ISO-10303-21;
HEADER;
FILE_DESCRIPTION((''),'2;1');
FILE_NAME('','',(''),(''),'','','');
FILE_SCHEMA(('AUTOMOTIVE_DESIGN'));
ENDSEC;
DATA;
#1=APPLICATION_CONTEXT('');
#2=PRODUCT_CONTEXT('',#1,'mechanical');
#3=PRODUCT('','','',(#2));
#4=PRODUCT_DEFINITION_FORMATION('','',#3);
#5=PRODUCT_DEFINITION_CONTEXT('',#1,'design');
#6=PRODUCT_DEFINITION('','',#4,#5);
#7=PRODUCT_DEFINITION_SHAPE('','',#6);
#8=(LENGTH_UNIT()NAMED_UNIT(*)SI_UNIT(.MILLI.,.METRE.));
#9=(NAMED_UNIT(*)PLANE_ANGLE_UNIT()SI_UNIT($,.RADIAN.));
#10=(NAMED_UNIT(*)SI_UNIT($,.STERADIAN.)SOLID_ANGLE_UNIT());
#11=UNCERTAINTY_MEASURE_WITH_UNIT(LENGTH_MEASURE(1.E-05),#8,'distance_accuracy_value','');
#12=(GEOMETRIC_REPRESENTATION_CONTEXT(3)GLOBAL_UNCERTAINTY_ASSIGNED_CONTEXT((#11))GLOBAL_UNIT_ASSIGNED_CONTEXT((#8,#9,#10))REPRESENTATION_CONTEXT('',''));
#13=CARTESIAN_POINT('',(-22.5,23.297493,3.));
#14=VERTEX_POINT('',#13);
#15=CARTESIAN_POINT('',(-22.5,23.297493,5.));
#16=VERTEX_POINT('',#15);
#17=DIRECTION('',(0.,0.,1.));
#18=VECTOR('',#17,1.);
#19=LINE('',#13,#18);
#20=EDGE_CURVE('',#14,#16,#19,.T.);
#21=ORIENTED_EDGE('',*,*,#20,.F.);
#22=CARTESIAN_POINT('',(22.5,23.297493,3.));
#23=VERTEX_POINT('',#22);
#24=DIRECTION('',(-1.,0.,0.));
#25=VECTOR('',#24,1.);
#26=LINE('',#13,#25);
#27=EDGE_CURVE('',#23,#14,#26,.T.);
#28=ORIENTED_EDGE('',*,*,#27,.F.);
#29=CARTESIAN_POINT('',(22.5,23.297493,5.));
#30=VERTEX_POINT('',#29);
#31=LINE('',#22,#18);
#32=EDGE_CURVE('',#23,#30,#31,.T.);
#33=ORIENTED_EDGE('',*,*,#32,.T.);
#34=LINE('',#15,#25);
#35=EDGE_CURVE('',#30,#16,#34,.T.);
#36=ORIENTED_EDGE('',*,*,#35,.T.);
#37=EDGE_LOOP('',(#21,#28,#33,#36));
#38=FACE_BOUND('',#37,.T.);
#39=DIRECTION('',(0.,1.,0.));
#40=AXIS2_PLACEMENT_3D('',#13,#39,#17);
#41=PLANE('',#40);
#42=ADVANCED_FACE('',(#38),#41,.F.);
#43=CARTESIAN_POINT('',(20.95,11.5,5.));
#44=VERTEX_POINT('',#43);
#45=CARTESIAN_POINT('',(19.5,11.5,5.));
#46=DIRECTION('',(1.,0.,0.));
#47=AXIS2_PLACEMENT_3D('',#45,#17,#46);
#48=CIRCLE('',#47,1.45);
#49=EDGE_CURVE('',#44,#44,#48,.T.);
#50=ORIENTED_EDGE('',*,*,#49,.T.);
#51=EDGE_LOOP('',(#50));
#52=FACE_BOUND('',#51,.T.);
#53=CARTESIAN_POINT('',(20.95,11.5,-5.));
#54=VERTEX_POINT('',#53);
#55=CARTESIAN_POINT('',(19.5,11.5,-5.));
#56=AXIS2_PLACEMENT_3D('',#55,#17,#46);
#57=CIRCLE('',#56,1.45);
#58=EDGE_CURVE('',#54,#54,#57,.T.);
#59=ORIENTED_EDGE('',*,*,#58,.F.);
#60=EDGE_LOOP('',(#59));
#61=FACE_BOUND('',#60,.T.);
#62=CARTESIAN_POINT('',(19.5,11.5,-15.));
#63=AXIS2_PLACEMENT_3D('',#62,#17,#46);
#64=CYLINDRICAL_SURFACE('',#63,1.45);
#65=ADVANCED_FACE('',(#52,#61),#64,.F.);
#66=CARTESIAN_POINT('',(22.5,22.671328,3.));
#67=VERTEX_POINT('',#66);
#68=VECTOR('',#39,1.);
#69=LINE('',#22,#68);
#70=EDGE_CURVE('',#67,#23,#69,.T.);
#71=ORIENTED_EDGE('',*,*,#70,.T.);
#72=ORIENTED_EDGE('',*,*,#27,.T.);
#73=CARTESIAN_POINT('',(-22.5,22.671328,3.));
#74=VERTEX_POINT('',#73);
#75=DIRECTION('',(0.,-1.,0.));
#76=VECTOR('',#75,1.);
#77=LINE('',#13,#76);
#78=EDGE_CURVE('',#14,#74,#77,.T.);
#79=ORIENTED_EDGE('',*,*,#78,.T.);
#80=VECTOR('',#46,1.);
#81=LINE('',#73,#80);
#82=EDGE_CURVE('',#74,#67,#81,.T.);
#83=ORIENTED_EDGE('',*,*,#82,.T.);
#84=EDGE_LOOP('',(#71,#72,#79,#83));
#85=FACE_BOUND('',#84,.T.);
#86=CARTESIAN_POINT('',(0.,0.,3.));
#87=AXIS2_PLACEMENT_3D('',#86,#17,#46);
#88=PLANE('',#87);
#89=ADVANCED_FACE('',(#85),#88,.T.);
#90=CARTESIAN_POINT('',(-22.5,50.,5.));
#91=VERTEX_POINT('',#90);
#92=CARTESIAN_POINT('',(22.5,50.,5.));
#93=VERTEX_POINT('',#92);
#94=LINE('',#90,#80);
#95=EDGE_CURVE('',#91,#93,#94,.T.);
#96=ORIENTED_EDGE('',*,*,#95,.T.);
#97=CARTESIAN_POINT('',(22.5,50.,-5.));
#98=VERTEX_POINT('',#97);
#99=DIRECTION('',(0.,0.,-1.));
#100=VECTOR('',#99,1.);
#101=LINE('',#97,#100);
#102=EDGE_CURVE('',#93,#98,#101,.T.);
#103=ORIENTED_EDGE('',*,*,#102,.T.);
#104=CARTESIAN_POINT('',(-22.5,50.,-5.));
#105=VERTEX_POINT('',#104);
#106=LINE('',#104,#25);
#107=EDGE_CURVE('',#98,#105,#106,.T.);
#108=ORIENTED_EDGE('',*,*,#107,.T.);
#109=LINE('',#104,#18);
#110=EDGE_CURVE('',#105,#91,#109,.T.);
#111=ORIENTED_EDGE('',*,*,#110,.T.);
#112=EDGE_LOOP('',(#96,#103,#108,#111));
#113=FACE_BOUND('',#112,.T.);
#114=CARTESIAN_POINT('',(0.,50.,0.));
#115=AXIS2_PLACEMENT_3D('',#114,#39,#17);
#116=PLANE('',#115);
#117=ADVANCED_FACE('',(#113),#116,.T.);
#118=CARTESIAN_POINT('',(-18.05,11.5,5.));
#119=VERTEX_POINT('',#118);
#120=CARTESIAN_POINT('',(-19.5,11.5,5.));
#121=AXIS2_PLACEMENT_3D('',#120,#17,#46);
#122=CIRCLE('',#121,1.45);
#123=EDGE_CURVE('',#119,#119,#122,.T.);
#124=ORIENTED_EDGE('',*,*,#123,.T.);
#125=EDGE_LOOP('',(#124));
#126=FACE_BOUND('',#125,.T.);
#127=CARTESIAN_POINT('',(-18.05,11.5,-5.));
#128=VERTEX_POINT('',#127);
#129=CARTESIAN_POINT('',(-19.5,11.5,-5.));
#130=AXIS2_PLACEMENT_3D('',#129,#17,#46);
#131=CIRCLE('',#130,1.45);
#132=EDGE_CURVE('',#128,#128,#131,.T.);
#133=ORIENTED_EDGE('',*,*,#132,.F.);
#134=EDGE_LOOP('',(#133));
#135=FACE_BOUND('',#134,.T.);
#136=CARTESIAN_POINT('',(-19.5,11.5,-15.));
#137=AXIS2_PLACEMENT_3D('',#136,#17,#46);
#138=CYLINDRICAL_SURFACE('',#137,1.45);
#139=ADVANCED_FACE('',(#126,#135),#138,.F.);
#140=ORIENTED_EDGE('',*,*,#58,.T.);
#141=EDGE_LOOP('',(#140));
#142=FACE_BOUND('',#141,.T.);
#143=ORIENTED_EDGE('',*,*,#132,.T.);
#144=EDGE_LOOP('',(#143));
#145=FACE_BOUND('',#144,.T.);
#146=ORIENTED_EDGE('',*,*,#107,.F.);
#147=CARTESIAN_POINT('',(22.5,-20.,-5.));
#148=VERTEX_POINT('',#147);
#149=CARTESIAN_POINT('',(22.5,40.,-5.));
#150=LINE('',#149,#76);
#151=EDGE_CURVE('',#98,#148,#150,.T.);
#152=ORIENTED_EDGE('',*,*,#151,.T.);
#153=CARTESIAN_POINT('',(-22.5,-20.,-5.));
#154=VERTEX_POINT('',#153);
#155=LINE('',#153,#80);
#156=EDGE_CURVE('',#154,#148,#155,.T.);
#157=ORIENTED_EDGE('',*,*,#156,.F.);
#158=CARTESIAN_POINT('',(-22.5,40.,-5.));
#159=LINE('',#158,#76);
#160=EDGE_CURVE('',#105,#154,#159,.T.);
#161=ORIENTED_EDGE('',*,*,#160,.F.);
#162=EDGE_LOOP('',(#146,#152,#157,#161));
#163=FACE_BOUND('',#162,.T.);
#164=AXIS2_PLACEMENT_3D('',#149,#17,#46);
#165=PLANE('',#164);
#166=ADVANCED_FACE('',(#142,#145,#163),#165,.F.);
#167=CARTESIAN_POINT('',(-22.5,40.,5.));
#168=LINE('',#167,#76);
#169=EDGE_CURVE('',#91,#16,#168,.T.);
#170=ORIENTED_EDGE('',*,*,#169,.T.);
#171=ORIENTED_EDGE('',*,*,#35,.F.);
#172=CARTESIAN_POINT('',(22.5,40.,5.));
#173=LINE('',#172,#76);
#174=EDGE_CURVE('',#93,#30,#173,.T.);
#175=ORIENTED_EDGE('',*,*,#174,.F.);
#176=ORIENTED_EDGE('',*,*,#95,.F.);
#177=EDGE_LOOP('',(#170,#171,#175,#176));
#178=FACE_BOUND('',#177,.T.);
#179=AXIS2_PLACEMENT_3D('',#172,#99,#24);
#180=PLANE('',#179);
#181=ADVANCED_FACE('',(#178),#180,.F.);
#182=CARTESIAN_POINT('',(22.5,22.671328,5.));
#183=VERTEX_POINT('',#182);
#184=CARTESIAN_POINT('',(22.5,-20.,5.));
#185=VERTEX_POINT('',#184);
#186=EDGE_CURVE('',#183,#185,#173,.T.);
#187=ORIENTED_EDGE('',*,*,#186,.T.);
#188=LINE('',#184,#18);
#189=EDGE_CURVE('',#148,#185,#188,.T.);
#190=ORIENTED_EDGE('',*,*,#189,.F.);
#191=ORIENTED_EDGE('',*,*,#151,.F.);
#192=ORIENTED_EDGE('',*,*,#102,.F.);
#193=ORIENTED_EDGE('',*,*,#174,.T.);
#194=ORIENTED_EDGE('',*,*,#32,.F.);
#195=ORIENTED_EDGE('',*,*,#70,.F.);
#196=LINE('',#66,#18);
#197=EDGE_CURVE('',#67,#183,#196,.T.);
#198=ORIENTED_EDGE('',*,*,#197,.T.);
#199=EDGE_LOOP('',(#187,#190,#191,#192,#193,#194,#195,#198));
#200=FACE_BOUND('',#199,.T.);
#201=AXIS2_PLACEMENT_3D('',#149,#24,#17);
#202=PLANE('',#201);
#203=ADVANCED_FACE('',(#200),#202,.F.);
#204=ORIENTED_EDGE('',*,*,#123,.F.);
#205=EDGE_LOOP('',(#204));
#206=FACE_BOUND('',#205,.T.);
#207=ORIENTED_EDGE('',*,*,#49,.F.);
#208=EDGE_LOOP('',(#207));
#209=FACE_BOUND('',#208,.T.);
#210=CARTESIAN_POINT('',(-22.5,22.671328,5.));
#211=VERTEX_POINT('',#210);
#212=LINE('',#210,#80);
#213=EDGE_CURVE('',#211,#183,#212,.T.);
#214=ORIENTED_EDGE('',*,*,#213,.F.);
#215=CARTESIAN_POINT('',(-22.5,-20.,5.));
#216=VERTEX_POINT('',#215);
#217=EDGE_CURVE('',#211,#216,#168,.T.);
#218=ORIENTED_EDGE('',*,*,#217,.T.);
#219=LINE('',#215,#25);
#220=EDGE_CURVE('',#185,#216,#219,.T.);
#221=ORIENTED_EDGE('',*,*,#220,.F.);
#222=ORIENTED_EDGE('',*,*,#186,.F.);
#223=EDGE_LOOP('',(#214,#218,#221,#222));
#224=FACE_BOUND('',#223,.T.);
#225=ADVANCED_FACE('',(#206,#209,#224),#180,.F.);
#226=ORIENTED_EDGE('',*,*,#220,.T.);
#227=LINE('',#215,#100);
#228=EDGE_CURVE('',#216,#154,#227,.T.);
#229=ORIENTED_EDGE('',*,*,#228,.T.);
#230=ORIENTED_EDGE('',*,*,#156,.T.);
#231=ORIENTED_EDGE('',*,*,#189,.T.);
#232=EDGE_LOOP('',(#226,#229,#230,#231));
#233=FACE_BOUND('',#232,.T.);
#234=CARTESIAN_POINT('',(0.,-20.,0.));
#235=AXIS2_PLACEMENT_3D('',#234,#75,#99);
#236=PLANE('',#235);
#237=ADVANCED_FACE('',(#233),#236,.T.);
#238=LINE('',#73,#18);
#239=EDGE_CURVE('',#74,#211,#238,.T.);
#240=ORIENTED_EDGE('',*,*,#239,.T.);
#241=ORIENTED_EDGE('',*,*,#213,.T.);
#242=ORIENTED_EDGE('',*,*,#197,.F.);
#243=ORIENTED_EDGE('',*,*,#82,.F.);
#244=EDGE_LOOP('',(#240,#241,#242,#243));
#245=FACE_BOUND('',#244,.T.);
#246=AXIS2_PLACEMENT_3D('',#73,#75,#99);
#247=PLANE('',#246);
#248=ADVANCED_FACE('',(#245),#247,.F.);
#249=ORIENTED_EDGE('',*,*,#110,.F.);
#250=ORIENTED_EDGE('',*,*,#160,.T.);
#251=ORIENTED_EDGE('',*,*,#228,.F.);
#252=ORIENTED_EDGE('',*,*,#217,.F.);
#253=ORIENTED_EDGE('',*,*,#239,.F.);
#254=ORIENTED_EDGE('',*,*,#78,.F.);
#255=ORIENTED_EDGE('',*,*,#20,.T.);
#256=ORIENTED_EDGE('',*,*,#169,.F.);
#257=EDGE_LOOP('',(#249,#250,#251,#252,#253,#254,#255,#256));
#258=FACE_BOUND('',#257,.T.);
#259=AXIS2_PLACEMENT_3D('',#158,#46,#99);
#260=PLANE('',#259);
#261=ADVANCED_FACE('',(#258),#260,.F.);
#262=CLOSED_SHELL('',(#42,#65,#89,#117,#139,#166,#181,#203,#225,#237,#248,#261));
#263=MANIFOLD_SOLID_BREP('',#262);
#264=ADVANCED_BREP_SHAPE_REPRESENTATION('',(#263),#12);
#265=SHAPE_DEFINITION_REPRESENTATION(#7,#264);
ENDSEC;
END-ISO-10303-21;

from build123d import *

# Parameters (mm, degrees)
SKETCH2_W           = 45
SKETCH2_H           = 10
BOSS_EXTRUDE1_DEPTH = 40
SKETCH4_W           = 45
SKETCH4_H           = 10
BOSS_EXTRUDE2_DEPTH = 10
SKETCH8_W           = 45
SKETCH8_H           = 10
BOSS_EXTRUDE3_DEPTH = 20
SKETCH9_R           = 1.45
CUT_EXTRUDE2_DEPTH  = 20
SKETCH10_W          = 45
SKETCH10_H          = 0.626165357
CUT_EXTRUDE3_DEPTH  = 2


with BuildPart() as part:
    # Sketch2 → Boss-Extrude1 (new body)
    with BuildSketch(Plane(origin=(0, 0, 0), x_dir=(1, 0, 0), z_dir=(0, 1, 0))):
        Rectangle(SKETCH2_W, SKETCH2_H)
    extrude(amount=BOSS_EXTRUDE1_DEPTH)

    # Sketch4 → Boss-Extrude2 (add)
    with BuildSketch(Plane(origin=(0, 40, 0), x_dir=(1, 0, 0), z_dir=(0, 1, 0))):
        Rectangle(SKETCH4_W, SKETCH4_H)
    extrude(amount=BOSS_EXTRUDE2_DEPTH)

    # Sketch8 → Boss-Extrude3 (add)
    with BuildSketch(Plane.XZ):
        Rectangle(SKETCH8_W, SKETCH8_H)
    extrude(amount=BOSS_EXTRUDE3_DEPTH)

    # Sketch9 → Cut-Extrude2 (cut)
    with BuildSketch(Plane.XY.offset(5)):
        with Locations((19.5, 11.5)):
            Circle(SKETCH9_R)
        with Locations((-19.5, 11.5)):
            Circle(SKETCH9_R)
    extrude(amount=-CUT_EXTRUDE2_DEPTH, mode=Mode.SUBTRACT)

    # Sketch10 → Cut-Extrude3 (cut)
    with BuildSketch(Plane.XY.offset(5)):
        with Locations((0, 22.984410254)):
            Rectangle(SKETCH10_W, SKETCH10_H)
    extrude(amount=-CUT_EXTRUDE3_DEPTH, mode=Mode.SUBTRACT)


solid = part.part
